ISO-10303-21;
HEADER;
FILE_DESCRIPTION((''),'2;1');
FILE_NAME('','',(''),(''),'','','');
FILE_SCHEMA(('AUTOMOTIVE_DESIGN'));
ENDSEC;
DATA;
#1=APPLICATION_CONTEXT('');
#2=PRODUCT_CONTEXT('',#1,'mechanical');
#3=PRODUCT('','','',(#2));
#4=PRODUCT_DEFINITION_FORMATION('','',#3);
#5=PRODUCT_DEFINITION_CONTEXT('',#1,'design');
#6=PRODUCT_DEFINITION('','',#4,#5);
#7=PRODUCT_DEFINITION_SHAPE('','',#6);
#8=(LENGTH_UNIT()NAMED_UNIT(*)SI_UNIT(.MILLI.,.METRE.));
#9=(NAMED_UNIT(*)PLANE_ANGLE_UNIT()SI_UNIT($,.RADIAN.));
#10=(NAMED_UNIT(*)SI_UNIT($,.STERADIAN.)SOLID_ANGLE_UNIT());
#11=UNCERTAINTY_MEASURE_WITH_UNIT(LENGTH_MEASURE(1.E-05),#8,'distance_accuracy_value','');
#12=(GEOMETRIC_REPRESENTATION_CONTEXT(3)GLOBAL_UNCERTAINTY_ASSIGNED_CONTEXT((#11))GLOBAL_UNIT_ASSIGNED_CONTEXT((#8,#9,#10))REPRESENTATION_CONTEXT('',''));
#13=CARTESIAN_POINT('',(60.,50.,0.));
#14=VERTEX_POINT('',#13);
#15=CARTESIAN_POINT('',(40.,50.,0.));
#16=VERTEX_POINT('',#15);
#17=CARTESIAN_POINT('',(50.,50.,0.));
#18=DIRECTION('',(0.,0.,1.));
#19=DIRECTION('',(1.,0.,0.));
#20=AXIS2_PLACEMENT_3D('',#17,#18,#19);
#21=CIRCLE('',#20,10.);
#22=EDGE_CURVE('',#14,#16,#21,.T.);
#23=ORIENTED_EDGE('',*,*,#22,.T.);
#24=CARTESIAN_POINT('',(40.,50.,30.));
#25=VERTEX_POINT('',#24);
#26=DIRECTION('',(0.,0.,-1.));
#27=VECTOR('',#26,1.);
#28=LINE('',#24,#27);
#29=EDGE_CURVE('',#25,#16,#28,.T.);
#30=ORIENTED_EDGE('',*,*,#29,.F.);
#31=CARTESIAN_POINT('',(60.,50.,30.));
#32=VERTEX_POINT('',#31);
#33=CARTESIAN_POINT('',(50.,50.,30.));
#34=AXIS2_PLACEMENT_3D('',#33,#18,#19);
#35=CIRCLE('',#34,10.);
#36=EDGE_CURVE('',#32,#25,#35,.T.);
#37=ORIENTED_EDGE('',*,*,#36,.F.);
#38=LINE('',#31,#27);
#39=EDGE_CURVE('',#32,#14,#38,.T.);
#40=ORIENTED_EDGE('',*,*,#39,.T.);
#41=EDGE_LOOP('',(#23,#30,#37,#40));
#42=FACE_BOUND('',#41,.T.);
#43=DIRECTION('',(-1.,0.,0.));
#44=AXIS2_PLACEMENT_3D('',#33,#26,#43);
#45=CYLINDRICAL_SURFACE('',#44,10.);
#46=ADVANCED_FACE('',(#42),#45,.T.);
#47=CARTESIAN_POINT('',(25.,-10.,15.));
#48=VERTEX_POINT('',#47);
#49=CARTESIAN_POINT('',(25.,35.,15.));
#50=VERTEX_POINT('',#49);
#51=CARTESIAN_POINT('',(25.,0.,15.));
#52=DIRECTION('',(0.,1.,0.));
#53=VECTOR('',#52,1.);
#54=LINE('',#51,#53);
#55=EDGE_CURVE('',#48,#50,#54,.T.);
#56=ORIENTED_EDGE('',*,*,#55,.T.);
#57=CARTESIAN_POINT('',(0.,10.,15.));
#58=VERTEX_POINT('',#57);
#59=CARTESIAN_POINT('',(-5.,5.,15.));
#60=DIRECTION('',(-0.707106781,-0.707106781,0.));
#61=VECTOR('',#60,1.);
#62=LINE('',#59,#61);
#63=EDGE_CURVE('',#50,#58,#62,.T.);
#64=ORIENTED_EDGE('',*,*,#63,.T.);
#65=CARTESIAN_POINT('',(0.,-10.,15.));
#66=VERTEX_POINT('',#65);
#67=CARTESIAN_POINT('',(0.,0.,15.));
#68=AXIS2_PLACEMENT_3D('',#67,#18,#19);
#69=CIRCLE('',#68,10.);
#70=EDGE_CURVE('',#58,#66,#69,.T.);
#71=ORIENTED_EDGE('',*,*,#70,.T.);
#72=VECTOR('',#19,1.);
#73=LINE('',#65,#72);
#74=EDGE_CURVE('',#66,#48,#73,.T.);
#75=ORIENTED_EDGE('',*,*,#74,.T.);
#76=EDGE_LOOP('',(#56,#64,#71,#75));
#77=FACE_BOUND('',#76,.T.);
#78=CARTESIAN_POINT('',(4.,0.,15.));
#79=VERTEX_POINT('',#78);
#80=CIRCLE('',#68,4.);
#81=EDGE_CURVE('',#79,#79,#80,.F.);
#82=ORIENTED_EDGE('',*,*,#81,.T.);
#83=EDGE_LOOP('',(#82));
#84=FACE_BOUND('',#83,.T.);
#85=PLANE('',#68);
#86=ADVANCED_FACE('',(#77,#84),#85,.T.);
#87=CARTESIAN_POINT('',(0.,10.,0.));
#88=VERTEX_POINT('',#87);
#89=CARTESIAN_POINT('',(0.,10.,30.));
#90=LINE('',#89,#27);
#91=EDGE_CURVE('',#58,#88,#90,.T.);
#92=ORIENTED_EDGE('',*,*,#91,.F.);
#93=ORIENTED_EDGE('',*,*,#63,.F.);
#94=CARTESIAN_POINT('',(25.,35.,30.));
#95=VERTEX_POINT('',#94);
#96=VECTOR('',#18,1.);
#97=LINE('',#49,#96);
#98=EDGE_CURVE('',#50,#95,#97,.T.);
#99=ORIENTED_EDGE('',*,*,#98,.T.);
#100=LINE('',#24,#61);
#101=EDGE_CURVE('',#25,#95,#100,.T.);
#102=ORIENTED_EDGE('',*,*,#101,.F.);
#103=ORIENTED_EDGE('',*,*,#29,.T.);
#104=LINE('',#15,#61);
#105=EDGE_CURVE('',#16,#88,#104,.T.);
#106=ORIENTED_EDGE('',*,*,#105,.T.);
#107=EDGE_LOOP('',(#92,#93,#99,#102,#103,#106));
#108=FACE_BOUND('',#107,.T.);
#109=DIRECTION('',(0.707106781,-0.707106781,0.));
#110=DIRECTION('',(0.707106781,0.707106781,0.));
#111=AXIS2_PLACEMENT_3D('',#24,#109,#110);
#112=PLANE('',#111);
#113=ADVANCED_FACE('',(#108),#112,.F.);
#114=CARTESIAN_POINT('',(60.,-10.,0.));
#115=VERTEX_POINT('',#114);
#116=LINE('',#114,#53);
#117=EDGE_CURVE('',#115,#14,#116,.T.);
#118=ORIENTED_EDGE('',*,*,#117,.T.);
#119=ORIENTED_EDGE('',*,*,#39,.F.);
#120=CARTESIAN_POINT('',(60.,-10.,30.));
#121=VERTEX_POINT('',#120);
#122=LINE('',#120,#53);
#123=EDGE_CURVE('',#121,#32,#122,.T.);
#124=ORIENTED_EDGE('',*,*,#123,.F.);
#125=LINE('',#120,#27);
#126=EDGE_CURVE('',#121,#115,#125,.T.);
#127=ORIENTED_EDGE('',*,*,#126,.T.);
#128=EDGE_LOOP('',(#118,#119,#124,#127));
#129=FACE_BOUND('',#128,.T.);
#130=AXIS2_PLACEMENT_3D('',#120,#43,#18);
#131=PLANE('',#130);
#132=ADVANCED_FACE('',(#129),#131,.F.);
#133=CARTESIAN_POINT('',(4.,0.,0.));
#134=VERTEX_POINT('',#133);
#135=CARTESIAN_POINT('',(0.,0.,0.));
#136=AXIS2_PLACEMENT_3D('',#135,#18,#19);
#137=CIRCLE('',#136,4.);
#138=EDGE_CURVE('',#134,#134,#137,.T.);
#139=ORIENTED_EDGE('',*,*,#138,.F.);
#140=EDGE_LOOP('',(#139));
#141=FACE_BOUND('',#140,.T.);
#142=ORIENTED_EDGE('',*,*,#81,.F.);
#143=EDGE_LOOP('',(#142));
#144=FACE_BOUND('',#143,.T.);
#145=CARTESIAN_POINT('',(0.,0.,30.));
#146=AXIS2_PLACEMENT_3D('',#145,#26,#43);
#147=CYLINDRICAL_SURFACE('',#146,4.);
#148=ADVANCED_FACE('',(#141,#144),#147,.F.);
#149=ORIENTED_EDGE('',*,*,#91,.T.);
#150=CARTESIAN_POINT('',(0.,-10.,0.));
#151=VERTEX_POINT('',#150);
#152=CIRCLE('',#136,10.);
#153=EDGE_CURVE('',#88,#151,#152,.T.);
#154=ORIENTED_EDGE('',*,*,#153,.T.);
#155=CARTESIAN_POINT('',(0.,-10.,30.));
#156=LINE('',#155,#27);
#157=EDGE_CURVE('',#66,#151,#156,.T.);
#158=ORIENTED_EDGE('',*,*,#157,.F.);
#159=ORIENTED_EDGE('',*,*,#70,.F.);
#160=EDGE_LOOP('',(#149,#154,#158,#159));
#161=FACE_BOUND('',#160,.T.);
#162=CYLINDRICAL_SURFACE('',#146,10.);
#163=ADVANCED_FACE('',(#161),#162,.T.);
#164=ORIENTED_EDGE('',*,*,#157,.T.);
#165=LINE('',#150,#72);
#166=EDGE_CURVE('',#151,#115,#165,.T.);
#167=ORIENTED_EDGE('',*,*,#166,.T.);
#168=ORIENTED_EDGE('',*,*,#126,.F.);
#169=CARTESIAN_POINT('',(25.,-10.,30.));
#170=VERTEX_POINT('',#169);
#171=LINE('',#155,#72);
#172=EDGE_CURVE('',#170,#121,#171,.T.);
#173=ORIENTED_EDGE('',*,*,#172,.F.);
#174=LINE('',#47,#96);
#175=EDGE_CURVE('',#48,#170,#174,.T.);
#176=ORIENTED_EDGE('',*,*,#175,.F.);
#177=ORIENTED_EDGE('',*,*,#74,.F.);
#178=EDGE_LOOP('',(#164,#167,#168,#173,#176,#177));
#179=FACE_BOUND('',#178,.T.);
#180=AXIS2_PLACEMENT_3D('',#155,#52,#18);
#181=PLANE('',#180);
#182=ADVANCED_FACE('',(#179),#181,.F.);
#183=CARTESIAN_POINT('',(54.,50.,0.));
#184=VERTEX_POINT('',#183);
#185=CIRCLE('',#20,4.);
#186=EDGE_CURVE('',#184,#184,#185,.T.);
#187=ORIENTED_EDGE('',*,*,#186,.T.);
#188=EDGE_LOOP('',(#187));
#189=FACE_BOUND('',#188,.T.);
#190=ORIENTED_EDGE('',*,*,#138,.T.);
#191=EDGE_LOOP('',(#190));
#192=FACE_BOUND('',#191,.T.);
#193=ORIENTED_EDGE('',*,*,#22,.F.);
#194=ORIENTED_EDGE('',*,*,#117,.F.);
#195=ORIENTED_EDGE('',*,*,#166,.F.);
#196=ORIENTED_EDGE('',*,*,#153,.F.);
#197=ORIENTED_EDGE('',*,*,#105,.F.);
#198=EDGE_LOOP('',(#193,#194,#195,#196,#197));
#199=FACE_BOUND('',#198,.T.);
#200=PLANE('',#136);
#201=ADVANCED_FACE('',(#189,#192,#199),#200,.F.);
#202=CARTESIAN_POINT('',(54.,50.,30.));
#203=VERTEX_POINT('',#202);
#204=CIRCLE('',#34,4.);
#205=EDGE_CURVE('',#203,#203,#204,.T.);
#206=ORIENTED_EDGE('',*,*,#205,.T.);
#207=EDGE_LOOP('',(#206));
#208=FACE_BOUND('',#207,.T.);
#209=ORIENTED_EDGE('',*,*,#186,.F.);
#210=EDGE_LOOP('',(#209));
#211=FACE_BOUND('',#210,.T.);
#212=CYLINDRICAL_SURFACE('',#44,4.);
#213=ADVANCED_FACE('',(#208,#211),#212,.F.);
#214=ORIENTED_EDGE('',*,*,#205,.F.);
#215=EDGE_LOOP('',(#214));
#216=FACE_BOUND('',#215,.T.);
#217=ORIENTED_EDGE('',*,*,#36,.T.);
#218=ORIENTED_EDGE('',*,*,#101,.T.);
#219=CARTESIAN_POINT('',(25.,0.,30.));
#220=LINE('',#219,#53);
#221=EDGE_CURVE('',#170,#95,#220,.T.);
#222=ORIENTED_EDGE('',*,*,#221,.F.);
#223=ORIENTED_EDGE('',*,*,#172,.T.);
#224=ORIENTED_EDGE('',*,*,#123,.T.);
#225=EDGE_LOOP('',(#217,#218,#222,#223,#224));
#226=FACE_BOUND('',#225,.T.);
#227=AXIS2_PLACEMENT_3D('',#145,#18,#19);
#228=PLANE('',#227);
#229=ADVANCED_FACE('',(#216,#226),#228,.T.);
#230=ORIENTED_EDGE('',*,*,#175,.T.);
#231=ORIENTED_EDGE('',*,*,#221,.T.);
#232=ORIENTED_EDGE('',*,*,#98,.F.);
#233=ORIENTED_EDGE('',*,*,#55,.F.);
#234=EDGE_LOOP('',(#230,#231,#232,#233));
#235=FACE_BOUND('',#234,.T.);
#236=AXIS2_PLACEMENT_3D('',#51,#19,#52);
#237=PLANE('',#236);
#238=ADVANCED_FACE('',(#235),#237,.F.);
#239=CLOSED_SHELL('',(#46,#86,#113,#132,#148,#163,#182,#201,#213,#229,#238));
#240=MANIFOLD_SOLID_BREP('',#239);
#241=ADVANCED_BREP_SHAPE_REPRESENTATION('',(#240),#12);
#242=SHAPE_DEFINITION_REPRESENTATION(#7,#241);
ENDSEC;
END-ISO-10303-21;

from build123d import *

# Parameters (mm, degrees)
SKETCH1_R           = 4
BOSS_EXTRUDE1_DEPTH = 30
CUT_EXTRUDE3_START  = -15
CUT_EXTRUDE3_DEPTH  = 15


with BuildPart() as part:
    # Sketch1 → Boss-Extrude1 (new body)
    with BuildSketch(Plane.XY):
        with BuildLine():
            Line((0, -10), (60, -10))
            Line((60, -10), (60, 50))
            ThreePointArc((60, 50), (50, 60), (40, 50))
            Line((40, 50), (0, 10))
            ThreePointArc((0, 10), (-10, 0), (0, -10))
        make_face()
        with Locations((50, 50)):
            Circle(SKETCH1_R, mode=Mode.SUBTRACT)
        Circle(SKETCH1_R, mode=Mode.SUBTRACT)
    extrude(amount=BOSS_EXTRUDE1_DEPTH)

    # Sketch3 → Cut-Extrude3 (cut)
    with BuildSketch(Plane.XY.offset(30).offset(CUT_EXTRUDE3_START)):
        with BuildLine():
            Line((60, -217.989898732), (60, -10))
            Line((60, -10), (60, 50))
            ThreePointArc((60, 50), (50, 60), (40, 50))
            Line((40, 50), (0, 10))
            ThreePointArc((0, 10), (-10, 0), (0, -10))
            Line((0, -10), (60, -10))
            Line((60, -10), (25, -10))
            Line((25, -10), (25, 35))
            Line((25, 35), (25, 242.989898732))
            Line((25, 242.989898732), (-389.785969286, 211.497176047))
            Line((-389.785969286, 211.497176047), (-354.785969286, -249.482621417))
            Line((-354.785969286, -249.482621417), (60, -217.989898732))
        make_face()
    extrude(amount=CUT_EXTRUDE3_DEPTH, mode=Mode.SUBTRACT)


solid = part.part
